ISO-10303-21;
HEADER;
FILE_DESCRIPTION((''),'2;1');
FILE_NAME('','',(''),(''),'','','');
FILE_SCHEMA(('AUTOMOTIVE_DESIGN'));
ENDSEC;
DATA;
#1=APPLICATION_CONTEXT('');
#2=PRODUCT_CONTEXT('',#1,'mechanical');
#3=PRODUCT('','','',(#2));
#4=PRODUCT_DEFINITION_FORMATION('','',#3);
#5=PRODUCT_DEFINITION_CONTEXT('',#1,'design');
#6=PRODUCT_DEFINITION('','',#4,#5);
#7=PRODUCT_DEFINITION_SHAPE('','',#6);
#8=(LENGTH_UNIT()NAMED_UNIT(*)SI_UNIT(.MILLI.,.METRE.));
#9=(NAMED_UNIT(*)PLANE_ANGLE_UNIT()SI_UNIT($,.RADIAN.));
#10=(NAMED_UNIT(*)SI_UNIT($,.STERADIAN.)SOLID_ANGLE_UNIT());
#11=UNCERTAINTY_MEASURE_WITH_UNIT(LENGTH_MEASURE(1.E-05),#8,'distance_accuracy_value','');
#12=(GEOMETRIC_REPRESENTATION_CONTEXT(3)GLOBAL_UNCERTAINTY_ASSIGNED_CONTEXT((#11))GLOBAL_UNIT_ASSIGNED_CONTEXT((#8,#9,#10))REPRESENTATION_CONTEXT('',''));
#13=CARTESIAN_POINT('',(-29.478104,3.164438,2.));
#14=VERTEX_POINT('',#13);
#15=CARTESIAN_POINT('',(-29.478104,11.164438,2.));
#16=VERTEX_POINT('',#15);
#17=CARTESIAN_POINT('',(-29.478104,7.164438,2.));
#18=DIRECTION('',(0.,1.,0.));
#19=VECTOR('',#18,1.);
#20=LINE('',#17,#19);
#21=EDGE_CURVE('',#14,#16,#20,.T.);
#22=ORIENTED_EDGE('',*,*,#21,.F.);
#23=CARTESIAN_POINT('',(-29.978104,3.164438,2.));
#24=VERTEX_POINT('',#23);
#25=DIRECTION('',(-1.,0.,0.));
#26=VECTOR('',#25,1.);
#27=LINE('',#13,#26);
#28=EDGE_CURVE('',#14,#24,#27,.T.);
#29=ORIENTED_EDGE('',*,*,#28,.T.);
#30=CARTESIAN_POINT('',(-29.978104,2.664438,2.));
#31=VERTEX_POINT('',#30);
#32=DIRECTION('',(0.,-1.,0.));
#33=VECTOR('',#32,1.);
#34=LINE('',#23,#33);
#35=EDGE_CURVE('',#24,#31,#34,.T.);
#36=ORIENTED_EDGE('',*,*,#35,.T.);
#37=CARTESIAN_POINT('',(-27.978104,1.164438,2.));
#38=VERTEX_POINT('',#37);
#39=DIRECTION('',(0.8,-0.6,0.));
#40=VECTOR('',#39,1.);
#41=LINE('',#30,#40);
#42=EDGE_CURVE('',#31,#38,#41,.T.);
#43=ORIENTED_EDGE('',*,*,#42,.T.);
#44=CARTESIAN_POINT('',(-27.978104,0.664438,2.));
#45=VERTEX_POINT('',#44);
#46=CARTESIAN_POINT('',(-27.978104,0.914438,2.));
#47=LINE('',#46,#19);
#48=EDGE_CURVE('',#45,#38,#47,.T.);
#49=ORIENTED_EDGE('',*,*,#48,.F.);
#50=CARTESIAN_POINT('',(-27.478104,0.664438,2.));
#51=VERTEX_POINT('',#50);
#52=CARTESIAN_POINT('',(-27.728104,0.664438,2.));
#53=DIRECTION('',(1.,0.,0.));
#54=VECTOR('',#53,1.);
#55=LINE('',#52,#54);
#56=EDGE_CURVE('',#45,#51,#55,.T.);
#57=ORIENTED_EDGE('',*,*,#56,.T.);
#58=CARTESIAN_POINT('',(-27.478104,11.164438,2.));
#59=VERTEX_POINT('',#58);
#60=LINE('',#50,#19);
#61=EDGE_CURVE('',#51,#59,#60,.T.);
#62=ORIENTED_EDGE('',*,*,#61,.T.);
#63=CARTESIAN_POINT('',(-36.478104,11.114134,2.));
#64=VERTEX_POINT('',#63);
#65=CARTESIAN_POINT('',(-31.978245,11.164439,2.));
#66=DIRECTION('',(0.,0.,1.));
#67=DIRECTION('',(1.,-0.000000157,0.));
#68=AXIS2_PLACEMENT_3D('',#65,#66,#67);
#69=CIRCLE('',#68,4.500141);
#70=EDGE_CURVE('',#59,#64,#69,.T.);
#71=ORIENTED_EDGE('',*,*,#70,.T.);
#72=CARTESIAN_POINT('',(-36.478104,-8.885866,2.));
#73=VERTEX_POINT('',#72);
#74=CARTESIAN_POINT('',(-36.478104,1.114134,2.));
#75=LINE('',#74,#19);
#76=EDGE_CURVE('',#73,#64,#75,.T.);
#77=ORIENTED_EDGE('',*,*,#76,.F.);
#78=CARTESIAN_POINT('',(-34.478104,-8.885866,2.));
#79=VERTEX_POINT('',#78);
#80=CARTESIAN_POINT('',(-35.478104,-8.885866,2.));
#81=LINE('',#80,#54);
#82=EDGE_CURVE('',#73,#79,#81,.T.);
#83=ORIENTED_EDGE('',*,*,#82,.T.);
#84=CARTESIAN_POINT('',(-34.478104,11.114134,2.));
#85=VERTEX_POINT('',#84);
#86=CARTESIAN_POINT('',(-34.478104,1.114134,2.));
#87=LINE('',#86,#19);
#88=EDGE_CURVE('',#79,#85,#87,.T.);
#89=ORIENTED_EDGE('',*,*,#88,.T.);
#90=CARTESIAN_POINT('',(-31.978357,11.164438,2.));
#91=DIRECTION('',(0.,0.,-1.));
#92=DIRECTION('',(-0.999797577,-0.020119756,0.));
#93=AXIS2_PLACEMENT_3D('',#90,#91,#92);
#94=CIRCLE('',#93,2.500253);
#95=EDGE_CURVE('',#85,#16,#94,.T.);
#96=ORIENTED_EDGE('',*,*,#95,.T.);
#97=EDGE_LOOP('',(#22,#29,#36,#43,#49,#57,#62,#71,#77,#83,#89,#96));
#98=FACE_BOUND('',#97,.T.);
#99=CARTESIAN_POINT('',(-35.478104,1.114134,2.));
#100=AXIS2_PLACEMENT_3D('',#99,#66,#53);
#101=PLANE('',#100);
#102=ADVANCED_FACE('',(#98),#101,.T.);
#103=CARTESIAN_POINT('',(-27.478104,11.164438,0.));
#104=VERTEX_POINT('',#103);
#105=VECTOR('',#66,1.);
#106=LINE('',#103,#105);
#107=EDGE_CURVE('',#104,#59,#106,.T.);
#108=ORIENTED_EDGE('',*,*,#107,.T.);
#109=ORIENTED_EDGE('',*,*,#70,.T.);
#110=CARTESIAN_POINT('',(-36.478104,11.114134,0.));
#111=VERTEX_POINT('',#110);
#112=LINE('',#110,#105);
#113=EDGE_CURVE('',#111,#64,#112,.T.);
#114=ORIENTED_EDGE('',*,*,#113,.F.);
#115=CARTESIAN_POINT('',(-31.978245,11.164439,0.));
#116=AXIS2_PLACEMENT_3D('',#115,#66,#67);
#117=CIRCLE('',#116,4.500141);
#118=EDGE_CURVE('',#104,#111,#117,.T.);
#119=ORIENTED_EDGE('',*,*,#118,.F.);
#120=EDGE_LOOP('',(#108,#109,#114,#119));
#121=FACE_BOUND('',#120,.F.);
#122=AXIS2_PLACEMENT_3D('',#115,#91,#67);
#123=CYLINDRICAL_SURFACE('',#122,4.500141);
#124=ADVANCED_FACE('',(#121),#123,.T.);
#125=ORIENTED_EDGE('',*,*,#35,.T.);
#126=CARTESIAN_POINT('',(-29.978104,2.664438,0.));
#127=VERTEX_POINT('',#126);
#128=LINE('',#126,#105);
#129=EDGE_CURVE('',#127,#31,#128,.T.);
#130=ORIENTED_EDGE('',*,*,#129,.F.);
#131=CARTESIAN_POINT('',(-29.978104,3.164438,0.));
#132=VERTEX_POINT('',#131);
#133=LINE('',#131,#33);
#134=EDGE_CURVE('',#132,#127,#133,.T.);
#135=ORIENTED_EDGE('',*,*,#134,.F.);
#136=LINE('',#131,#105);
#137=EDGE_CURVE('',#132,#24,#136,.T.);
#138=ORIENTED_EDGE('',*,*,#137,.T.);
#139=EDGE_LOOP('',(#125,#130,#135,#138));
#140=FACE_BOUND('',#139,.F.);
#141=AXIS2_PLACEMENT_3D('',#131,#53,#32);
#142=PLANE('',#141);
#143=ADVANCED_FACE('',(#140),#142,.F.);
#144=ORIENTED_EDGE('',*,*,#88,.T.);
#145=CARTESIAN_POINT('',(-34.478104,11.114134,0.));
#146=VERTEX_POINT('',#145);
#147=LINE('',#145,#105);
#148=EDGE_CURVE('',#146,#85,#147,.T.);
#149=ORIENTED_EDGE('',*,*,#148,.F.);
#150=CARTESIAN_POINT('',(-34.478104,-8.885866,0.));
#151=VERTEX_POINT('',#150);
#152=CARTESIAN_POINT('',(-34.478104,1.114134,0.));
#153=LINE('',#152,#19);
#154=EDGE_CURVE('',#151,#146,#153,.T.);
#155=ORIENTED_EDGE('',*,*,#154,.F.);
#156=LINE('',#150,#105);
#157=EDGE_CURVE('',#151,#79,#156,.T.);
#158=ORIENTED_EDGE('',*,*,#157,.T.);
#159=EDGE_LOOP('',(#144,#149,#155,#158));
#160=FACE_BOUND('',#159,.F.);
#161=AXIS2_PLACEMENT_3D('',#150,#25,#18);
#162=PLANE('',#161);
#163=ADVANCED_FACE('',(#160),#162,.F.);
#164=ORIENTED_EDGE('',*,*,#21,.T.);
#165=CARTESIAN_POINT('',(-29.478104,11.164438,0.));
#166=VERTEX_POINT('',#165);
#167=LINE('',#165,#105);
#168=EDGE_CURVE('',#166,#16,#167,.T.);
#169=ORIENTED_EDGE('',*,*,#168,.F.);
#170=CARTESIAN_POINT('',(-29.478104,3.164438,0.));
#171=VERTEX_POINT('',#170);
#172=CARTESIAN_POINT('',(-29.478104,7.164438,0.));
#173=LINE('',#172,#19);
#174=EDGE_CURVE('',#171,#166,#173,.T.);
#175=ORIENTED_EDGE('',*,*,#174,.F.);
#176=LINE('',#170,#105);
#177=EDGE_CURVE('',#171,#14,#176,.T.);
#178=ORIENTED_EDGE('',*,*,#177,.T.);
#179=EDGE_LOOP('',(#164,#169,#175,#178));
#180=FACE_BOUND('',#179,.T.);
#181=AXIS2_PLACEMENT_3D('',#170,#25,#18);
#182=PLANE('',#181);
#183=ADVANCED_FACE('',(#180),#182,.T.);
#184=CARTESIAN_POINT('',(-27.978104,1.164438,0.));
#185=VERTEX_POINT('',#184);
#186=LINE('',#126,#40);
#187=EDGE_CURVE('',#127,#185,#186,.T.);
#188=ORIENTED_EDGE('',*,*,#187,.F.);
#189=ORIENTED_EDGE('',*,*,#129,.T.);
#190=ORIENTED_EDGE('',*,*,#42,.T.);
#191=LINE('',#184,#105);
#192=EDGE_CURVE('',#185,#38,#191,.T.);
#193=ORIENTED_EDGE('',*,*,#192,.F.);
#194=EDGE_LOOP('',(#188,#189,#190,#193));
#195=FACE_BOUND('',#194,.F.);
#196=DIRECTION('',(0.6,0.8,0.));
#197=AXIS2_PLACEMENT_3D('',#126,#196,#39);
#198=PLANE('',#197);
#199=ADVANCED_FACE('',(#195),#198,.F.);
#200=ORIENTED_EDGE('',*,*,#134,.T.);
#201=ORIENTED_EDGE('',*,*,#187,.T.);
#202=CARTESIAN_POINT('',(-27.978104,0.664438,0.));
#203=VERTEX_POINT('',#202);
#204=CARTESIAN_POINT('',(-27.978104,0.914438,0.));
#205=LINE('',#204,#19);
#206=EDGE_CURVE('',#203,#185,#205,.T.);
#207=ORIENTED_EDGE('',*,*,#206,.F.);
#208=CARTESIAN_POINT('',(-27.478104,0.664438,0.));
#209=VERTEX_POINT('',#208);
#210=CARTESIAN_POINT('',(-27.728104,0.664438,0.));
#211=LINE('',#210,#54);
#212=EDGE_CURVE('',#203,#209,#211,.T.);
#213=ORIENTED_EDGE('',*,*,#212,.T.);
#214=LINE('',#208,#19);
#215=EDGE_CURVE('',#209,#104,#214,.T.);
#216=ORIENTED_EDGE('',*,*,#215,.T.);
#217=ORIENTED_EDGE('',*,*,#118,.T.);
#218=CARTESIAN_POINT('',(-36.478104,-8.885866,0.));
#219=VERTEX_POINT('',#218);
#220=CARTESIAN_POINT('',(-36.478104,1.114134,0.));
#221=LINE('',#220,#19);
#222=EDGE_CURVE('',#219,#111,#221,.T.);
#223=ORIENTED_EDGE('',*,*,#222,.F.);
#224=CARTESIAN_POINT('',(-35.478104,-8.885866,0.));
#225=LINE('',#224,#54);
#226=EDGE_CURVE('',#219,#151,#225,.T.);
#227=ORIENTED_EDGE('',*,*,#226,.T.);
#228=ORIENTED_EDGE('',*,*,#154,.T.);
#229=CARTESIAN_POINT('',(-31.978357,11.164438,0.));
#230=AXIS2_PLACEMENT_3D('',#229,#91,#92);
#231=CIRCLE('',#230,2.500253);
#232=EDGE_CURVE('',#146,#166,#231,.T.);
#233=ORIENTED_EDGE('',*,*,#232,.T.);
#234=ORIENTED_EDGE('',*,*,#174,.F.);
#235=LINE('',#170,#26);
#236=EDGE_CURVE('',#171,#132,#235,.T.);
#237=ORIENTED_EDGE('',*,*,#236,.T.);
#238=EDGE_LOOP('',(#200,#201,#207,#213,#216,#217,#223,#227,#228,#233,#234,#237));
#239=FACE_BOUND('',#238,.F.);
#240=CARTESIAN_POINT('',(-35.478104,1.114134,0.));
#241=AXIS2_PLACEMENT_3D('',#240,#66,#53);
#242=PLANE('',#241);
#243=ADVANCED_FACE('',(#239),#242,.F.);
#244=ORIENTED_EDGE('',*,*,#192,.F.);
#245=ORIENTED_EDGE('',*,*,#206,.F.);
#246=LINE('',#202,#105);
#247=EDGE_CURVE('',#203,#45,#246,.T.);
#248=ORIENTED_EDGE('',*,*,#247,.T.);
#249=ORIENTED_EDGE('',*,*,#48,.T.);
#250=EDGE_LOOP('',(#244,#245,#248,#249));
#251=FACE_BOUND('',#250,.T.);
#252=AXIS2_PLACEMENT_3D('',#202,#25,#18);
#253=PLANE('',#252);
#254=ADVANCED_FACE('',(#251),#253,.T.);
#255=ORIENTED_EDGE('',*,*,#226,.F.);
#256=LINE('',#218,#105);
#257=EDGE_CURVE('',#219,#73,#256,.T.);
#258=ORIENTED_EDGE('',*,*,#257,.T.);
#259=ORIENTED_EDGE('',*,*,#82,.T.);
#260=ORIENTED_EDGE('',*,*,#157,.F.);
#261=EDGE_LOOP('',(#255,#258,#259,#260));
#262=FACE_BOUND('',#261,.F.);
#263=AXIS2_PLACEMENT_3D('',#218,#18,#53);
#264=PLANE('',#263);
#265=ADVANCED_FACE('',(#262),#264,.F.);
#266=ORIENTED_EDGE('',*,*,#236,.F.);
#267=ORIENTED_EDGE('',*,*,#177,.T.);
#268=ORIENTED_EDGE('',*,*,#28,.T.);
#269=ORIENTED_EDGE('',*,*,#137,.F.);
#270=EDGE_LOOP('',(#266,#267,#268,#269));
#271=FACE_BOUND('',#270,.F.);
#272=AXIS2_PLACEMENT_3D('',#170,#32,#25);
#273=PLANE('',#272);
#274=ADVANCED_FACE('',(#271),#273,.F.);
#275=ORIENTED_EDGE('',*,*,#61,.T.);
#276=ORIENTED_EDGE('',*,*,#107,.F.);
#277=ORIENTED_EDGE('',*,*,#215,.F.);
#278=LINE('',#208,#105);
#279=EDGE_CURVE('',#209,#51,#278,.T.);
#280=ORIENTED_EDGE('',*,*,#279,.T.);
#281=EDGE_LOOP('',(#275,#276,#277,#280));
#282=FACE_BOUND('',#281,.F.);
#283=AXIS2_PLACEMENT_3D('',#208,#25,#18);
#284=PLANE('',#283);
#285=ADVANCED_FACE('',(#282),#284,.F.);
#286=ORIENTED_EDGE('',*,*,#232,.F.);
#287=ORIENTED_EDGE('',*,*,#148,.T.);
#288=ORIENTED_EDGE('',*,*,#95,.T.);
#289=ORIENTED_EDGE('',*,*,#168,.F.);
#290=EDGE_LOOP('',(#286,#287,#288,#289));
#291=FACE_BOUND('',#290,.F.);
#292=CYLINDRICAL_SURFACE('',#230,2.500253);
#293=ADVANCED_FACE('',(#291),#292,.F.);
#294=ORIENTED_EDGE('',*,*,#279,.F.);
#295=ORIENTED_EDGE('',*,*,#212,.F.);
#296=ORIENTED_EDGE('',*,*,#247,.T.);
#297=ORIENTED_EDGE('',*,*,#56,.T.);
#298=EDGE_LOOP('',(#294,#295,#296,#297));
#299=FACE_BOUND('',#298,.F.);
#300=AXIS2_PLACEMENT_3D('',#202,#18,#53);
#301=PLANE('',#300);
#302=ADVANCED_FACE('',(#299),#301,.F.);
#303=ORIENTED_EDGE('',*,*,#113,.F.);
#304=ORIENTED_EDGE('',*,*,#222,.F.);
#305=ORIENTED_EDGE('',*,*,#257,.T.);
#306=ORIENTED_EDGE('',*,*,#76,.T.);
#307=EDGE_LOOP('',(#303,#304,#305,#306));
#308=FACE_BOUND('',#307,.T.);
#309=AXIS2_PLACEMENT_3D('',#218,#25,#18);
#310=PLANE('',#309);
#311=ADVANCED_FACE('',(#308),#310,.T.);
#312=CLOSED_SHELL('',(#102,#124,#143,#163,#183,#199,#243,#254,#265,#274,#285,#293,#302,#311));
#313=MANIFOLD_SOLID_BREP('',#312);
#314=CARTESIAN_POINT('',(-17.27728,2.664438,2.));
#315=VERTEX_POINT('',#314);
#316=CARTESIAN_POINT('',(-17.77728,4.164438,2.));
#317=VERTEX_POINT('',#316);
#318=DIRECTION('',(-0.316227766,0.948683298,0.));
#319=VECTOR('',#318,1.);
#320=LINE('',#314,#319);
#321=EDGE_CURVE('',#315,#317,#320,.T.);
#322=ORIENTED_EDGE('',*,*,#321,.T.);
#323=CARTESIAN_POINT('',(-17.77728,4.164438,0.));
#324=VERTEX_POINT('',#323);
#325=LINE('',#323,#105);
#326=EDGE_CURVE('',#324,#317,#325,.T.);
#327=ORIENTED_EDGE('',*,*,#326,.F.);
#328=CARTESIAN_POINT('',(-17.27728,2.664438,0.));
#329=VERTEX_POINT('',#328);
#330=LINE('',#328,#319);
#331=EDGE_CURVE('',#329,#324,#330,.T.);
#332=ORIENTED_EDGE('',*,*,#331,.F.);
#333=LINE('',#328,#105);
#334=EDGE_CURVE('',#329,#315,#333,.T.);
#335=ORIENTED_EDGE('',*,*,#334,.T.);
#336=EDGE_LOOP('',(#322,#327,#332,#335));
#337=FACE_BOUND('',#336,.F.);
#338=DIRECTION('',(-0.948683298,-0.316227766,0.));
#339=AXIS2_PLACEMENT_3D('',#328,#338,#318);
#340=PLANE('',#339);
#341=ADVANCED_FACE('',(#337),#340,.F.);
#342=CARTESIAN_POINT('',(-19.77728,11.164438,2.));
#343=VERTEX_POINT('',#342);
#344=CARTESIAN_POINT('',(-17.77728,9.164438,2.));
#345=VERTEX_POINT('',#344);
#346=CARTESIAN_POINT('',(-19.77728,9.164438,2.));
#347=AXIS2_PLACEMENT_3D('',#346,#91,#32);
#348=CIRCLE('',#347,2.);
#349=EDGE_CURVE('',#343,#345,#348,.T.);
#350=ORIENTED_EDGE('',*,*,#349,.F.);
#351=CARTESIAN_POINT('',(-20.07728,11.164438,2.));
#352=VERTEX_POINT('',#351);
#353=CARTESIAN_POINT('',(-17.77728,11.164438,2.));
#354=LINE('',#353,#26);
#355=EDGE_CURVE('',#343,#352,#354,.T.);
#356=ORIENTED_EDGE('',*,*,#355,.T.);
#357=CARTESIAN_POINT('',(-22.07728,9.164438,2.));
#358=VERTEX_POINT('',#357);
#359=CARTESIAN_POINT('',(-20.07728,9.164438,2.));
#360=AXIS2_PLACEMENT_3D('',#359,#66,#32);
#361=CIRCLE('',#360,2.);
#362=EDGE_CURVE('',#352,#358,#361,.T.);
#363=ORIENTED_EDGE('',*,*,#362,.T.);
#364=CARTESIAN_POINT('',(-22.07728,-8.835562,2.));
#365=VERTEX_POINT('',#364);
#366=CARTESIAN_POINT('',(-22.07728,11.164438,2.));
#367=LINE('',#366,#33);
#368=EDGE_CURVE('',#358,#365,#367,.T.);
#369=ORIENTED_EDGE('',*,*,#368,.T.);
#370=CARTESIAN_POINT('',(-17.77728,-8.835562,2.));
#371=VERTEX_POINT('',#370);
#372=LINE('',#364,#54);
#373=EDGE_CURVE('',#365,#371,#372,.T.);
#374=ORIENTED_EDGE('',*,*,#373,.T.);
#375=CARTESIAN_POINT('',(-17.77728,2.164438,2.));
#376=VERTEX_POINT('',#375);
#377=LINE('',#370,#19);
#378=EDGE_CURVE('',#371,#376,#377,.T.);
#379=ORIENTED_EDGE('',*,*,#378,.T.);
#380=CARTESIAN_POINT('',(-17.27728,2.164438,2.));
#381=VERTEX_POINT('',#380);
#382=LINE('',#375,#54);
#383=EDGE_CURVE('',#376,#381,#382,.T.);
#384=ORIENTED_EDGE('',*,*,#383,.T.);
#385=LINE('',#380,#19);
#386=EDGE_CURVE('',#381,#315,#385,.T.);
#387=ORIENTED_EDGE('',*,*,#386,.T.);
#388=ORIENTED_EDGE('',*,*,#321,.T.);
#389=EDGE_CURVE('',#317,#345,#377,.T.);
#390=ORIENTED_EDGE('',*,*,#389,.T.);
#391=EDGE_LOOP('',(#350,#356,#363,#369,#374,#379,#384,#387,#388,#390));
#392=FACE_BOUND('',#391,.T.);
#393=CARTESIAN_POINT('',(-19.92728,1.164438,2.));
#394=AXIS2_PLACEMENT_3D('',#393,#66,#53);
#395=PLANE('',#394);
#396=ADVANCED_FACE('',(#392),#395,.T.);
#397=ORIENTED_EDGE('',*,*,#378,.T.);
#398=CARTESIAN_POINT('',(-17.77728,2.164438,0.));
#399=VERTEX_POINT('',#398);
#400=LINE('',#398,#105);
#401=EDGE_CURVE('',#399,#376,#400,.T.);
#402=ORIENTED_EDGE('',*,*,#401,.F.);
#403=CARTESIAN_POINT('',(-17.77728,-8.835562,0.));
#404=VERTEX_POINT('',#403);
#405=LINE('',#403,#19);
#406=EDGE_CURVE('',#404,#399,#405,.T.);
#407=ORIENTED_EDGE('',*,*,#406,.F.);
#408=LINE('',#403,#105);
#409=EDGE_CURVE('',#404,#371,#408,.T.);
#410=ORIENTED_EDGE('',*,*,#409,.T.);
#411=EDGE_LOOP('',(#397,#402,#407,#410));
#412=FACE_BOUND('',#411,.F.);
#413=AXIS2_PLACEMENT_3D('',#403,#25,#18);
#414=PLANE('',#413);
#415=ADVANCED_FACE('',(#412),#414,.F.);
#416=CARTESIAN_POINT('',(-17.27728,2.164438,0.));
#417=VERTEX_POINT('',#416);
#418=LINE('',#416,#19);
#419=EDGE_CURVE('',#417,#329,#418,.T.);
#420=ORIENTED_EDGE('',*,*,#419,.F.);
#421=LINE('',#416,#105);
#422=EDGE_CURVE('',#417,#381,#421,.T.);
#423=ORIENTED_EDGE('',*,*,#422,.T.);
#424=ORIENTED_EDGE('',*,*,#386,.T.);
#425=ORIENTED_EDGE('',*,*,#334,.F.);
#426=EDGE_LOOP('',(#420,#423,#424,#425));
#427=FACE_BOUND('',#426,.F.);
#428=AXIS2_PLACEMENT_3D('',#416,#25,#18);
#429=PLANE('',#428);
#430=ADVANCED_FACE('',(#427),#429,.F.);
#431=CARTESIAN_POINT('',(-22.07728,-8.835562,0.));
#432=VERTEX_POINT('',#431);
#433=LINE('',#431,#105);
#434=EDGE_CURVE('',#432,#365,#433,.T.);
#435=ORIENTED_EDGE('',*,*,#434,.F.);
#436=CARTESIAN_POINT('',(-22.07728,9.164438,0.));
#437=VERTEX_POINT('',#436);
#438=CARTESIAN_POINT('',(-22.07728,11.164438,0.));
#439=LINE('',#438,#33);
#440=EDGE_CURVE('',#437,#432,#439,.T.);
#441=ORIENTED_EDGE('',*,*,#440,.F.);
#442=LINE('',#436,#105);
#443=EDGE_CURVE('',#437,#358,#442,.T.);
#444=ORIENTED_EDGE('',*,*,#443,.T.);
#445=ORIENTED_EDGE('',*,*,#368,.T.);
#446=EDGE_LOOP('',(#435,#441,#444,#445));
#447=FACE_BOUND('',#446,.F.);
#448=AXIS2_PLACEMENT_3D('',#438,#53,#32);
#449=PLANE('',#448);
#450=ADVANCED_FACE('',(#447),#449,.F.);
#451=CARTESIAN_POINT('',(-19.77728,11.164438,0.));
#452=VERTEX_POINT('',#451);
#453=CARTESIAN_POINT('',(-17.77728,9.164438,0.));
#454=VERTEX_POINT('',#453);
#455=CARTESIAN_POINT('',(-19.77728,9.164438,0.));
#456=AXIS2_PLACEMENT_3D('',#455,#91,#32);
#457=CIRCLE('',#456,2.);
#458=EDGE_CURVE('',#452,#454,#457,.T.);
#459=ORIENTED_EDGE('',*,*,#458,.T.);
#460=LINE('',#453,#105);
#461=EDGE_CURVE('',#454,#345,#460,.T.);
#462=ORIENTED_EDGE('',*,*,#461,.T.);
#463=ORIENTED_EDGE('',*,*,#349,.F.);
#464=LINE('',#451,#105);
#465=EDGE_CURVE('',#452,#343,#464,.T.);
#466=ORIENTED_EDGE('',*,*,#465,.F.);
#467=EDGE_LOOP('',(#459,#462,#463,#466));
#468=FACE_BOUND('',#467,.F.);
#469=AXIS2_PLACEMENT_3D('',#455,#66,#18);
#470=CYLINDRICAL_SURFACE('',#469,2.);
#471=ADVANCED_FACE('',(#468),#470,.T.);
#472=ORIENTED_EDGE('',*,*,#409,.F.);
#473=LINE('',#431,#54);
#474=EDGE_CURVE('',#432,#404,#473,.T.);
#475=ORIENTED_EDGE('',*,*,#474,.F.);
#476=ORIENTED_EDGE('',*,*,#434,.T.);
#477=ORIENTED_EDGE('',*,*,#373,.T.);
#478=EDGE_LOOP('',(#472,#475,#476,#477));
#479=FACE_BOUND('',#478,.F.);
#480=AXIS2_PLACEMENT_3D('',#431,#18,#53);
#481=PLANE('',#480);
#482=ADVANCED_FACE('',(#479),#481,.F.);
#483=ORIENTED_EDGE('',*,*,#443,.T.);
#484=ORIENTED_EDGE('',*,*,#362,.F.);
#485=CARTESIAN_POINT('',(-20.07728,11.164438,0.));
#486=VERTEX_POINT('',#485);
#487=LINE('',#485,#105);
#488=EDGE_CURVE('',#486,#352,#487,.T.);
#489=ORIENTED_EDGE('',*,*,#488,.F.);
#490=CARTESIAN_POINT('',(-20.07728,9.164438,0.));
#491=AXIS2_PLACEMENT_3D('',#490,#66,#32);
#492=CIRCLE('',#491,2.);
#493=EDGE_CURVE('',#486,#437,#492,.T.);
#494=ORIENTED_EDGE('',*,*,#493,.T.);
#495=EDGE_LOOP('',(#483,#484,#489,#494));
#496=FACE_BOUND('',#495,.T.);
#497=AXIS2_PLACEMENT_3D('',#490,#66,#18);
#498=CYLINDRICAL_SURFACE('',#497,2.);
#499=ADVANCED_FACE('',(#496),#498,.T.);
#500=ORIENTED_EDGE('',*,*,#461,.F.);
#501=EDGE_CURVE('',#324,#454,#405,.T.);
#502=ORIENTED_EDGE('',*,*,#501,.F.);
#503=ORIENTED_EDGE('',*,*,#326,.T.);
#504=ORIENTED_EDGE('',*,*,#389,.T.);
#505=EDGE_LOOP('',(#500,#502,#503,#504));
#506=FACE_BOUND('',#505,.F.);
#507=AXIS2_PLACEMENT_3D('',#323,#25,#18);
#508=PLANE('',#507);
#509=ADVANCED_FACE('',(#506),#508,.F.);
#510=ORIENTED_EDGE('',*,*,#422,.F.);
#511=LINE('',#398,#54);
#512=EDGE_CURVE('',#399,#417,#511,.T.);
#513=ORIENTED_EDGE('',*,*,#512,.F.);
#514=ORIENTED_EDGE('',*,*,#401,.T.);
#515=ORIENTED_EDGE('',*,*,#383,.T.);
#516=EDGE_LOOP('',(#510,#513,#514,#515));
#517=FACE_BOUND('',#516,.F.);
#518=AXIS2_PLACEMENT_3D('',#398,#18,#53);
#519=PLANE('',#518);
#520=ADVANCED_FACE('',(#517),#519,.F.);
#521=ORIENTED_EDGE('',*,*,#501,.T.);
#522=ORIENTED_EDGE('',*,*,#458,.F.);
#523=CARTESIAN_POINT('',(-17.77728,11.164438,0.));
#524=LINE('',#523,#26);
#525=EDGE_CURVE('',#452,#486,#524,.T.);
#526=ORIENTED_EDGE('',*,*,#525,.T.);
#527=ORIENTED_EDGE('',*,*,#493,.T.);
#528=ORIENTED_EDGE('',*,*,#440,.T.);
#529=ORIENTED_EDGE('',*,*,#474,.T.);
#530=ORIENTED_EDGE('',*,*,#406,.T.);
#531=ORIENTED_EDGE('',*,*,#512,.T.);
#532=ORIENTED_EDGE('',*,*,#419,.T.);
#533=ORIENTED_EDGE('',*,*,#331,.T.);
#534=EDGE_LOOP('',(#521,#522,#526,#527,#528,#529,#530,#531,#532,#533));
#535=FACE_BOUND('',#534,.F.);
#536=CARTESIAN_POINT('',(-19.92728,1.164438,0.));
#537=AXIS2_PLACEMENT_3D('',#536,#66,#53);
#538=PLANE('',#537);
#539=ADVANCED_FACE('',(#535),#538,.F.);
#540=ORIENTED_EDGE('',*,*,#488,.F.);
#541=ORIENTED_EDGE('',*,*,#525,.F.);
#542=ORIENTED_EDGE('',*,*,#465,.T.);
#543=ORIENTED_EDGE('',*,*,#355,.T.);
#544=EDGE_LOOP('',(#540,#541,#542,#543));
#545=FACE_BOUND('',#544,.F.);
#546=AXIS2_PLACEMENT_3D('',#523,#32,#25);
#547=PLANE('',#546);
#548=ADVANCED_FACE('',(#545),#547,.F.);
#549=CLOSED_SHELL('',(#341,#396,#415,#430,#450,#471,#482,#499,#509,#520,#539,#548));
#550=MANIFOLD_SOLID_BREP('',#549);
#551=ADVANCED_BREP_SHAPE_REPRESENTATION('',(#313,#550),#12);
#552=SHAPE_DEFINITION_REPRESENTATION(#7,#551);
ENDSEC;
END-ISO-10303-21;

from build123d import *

# Parameters (mm, degrees)
F0_W     = 2
F0_H     = 20
F0_H_2   = 8
F0_W_2   = 0.5
F0_H_3   = 0.5
F1_DEPTH = 2
F2_R     = 2


with BuildPart() as f1:
    # F0 (on Top) → F1 (new body)
    with BuildSketch(Plane.XY):
        with Locations((-35.478104, 1.114134)):
            Rectangle(F0_W, F0_H)
        with BuildLine():
            ThreePointArc((-27.478104, 11.164438), (-32.003397, 15.664509), (-36.478104, 11.114134))
            Line((-36.478104, 11.114134), (-34.478104, 11.114134))
            ThreePointArc((-34.478104, 11.114134), (-32.003511, 13.664565), (-29.478104, 11.164438))
            Line((-29.478104, 11.164438), (-27.478104, 11.164438))
        make_face()
        with Locations((-28.478104, 7.164438)):
            Rectangle(F0_W, F0_H_2)
        Polygon((-27.478104, 1.164438), (-27.478104, 3.164438), (-29.478104, 3.164438), (-29.978104, 3.164438), (-29.978104, 2.664438), (-27.978104, 1.164438), align=None)
        with Locations((-27.728104, 0.914438)):
            Rectangle(F0_W_2, F0_H_3)
        Polygon((-17.77728, 11.164438), (-22.07728, 11.164438), (-22.07728, -8.835562), (-17.77728, -8.835562), (-17.77728, 2.164438), (-17.77728, 4.164438), align=None)
        Polygon((-17.27728, 2.664438), (-17.77728, 4.164438), (-17.77728, 2.164438), (-17.27728, 2.164438), align=None)
    extrude(amount=F1_DEPTH)

    # F2
    f2_edges = [f1.edges().sort_by_distance(p)[0] for p in [
        (-17.77728, 11.164438, 1),
        (-22.07728, 11.164438, 1),
    ]]
    fillet(f2_edges, radius=F2_R)


solid = f1.part
